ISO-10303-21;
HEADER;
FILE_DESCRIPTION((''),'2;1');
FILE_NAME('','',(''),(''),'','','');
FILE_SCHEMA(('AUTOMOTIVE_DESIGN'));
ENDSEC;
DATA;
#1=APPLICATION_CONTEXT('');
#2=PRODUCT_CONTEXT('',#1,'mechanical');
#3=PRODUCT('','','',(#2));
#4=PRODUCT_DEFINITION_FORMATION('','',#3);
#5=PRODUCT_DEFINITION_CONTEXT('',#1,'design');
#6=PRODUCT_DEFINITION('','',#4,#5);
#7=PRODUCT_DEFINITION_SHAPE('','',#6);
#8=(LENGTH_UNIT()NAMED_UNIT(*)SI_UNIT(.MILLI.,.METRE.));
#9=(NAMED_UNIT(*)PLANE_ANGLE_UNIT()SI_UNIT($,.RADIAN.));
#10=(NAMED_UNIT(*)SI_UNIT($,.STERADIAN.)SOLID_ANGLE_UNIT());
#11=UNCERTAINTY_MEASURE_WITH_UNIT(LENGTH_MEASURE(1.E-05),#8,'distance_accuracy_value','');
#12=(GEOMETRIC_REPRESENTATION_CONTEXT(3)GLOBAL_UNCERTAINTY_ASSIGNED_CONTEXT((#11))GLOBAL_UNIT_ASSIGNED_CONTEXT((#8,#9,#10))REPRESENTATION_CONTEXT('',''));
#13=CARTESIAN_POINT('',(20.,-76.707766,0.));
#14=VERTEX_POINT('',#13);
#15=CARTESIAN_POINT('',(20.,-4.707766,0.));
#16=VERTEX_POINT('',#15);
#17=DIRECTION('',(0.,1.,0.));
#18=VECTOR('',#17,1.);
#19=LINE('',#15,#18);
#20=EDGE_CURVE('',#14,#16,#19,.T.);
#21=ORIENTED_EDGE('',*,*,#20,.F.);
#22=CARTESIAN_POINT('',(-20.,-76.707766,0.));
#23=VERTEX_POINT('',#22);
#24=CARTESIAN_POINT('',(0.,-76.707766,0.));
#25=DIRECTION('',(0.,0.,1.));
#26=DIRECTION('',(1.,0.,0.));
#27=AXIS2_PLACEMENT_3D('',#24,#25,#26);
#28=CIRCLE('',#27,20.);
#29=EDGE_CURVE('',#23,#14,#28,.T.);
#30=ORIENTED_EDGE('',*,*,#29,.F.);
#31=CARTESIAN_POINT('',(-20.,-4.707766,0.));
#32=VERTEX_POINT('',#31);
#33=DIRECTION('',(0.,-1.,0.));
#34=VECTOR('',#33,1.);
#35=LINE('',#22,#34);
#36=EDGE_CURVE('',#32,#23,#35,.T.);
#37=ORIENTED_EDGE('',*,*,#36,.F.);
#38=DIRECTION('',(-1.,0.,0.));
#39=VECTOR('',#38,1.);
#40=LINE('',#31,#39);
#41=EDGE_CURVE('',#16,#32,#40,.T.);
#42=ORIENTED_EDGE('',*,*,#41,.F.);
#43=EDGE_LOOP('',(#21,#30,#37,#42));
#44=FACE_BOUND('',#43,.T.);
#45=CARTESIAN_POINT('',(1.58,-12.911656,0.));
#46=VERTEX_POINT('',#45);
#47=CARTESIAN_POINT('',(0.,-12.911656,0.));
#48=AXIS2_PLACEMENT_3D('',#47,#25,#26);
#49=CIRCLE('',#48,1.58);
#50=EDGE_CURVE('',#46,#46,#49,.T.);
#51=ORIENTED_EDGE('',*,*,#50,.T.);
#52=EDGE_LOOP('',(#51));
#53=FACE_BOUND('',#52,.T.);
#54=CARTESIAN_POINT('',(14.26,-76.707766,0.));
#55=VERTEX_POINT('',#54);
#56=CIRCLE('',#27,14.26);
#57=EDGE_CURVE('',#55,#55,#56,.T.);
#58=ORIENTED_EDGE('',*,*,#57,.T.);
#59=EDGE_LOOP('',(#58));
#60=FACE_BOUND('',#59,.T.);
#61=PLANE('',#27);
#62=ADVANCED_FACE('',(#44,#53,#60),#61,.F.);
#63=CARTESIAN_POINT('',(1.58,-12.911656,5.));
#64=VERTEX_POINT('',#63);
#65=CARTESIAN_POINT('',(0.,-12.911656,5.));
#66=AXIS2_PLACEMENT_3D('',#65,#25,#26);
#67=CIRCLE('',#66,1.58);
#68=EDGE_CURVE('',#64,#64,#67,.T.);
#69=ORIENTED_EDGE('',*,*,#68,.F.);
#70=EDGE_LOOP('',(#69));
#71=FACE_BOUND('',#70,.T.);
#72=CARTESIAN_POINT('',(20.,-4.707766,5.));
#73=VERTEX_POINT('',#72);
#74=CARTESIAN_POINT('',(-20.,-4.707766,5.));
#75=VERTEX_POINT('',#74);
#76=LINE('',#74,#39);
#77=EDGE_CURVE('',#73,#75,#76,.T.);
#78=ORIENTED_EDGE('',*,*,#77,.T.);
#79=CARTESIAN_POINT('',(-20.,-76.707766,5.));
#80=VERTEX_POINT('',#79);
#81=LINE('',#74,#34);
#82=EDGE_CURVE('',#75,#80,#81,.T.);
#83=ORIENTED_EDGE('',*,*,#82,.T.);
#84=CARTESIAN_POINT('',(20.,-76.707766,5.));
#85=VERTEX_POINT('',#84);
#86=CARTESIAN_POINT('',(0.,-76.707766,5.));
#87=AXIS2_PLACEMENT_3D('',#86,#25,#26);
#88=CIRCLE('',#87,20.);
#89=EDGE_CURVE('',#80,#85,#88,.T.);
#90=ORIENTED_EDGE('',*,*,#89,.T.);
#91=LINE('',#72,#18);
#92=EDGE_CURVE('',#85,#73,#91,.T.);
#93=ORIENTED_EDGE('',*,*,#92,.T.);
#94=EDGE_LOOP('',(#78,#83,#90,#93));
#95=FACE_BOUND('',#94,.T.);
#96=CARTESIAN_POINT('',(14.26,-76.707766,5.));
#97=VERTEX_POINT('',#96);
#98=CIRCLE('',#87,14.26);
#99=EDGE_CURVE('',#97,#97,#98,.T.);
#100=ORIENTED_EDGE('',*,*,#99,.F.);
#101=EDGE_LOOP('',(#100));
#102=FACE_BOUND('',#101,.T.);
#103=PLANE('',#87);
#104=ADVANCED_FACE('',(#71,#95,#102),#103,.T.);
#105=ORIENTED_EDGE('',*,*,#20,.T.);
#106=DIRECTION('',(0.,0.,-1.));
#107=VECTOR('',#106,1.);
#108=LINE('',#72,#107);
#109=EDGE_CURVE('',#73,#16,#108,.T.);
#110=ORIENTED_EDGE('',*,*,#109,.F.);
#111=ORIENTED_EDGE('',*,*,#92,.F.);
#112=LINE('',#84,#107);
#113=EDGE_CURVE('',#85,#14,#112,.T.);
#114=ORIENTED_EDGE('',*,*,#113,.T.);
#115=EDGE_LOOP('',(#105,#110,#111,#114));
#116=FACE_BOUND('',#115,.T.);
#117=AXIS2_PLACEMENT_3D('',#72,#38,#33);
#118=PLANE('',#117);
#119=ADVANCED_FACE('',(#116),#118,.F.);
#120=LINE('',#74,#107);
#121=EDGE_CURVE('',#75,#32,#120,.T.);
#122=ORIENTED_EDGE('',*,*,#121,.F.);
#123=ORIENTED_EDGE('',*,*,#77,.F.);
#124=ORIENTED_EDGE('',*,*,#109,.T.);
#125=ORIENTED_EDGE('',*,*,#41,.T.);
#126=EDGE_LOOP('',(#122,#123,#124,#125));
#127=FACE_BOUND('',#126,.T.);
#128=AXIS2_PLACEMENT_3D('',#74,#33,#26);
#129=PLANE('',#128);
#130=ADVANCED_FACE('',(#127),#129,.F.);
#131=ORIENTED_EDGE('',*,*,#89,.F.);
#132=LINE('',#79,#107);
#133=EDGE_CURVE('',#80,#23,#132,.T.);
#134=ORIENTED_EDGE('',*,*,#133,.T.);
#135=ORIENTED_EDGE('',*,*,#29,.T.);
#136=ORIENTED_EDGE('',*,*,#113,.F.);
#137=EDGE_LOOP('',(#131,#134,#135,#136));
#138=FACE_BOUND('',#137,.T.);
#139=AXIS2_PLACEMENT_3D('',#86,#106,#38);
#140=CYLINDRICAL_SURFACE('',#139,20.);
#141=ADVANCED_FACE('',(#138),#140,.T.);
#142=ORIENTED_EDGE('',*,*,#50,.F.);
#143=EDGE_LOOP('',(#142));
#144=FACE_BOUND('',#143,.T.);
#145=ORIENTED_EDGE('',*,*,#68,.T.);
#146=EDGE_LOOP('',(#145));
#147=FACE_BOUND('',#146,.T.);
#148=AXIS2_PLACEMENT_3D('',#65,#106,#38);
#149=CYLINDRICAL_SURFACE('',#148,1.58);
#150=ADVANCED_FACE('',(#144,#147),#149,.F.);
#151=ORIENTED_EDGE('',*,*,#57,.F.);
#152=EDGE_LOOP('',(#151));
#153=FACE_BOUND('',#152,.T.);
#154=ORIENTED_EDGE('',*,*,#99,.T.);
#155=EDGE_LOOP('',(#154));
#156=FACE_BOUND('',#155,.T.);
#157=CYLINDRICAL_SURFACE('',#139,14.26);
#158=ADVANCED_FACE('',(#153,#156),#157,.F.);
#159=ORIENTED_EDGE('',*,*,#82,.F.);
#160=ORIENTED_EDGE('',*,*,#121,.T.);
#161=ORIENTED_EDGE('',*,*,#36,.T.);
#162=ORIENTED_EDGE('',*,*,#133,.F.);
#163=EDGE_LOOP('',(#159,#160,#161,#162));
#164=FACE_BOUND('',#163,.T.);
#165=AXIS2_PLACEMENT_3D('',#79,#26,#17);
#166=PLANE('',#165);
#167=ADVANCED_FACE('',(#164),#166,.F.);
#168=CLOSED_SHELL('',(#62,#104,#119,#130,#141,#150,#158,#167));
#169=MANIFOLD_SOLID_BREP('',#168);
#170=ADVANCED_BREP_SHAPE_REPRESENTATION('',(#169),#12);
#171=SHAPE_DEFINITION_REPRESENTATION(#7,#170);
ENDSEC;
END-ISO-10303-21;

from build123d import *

# Parameters (mm, degrees)
SKETCH1_R           = 1.58
SKETCH1_R_2         = 14.26
BOSS_EXTRUDE1_DEPTH = 5


with BuildPart() as part:
    # Sketch1 → Boss-Extrude1 (new body)
    with BuildSketch(Plane.XY):
        with BuildLine():
            Line((-20, -76.707766284), (-20, -58.504148974))
            Line((-20, -58.504148974), (-20, -4.707766284))
            Line((-20, -4.707766284), (20, -4.707766284))
            Line((20, -4.707766284), (20, -76.707766284))
            ThreePointArc((20, -76.707766284), (0, -96.707766284), (-20, -76.707766284))
        make_face()
        with Locations((0, -12.911655735)):
            Circle(SKETCH1_R, mode=Mode.SUBTRACT)
        with Locations((0, -76.707766284)):
            Circle(SKETCH1_R_2, mode=Mode.SUBTRACT)
    extrude(amount=BOSS_EXTRUDE1_DEPTH)


solid = part.part
